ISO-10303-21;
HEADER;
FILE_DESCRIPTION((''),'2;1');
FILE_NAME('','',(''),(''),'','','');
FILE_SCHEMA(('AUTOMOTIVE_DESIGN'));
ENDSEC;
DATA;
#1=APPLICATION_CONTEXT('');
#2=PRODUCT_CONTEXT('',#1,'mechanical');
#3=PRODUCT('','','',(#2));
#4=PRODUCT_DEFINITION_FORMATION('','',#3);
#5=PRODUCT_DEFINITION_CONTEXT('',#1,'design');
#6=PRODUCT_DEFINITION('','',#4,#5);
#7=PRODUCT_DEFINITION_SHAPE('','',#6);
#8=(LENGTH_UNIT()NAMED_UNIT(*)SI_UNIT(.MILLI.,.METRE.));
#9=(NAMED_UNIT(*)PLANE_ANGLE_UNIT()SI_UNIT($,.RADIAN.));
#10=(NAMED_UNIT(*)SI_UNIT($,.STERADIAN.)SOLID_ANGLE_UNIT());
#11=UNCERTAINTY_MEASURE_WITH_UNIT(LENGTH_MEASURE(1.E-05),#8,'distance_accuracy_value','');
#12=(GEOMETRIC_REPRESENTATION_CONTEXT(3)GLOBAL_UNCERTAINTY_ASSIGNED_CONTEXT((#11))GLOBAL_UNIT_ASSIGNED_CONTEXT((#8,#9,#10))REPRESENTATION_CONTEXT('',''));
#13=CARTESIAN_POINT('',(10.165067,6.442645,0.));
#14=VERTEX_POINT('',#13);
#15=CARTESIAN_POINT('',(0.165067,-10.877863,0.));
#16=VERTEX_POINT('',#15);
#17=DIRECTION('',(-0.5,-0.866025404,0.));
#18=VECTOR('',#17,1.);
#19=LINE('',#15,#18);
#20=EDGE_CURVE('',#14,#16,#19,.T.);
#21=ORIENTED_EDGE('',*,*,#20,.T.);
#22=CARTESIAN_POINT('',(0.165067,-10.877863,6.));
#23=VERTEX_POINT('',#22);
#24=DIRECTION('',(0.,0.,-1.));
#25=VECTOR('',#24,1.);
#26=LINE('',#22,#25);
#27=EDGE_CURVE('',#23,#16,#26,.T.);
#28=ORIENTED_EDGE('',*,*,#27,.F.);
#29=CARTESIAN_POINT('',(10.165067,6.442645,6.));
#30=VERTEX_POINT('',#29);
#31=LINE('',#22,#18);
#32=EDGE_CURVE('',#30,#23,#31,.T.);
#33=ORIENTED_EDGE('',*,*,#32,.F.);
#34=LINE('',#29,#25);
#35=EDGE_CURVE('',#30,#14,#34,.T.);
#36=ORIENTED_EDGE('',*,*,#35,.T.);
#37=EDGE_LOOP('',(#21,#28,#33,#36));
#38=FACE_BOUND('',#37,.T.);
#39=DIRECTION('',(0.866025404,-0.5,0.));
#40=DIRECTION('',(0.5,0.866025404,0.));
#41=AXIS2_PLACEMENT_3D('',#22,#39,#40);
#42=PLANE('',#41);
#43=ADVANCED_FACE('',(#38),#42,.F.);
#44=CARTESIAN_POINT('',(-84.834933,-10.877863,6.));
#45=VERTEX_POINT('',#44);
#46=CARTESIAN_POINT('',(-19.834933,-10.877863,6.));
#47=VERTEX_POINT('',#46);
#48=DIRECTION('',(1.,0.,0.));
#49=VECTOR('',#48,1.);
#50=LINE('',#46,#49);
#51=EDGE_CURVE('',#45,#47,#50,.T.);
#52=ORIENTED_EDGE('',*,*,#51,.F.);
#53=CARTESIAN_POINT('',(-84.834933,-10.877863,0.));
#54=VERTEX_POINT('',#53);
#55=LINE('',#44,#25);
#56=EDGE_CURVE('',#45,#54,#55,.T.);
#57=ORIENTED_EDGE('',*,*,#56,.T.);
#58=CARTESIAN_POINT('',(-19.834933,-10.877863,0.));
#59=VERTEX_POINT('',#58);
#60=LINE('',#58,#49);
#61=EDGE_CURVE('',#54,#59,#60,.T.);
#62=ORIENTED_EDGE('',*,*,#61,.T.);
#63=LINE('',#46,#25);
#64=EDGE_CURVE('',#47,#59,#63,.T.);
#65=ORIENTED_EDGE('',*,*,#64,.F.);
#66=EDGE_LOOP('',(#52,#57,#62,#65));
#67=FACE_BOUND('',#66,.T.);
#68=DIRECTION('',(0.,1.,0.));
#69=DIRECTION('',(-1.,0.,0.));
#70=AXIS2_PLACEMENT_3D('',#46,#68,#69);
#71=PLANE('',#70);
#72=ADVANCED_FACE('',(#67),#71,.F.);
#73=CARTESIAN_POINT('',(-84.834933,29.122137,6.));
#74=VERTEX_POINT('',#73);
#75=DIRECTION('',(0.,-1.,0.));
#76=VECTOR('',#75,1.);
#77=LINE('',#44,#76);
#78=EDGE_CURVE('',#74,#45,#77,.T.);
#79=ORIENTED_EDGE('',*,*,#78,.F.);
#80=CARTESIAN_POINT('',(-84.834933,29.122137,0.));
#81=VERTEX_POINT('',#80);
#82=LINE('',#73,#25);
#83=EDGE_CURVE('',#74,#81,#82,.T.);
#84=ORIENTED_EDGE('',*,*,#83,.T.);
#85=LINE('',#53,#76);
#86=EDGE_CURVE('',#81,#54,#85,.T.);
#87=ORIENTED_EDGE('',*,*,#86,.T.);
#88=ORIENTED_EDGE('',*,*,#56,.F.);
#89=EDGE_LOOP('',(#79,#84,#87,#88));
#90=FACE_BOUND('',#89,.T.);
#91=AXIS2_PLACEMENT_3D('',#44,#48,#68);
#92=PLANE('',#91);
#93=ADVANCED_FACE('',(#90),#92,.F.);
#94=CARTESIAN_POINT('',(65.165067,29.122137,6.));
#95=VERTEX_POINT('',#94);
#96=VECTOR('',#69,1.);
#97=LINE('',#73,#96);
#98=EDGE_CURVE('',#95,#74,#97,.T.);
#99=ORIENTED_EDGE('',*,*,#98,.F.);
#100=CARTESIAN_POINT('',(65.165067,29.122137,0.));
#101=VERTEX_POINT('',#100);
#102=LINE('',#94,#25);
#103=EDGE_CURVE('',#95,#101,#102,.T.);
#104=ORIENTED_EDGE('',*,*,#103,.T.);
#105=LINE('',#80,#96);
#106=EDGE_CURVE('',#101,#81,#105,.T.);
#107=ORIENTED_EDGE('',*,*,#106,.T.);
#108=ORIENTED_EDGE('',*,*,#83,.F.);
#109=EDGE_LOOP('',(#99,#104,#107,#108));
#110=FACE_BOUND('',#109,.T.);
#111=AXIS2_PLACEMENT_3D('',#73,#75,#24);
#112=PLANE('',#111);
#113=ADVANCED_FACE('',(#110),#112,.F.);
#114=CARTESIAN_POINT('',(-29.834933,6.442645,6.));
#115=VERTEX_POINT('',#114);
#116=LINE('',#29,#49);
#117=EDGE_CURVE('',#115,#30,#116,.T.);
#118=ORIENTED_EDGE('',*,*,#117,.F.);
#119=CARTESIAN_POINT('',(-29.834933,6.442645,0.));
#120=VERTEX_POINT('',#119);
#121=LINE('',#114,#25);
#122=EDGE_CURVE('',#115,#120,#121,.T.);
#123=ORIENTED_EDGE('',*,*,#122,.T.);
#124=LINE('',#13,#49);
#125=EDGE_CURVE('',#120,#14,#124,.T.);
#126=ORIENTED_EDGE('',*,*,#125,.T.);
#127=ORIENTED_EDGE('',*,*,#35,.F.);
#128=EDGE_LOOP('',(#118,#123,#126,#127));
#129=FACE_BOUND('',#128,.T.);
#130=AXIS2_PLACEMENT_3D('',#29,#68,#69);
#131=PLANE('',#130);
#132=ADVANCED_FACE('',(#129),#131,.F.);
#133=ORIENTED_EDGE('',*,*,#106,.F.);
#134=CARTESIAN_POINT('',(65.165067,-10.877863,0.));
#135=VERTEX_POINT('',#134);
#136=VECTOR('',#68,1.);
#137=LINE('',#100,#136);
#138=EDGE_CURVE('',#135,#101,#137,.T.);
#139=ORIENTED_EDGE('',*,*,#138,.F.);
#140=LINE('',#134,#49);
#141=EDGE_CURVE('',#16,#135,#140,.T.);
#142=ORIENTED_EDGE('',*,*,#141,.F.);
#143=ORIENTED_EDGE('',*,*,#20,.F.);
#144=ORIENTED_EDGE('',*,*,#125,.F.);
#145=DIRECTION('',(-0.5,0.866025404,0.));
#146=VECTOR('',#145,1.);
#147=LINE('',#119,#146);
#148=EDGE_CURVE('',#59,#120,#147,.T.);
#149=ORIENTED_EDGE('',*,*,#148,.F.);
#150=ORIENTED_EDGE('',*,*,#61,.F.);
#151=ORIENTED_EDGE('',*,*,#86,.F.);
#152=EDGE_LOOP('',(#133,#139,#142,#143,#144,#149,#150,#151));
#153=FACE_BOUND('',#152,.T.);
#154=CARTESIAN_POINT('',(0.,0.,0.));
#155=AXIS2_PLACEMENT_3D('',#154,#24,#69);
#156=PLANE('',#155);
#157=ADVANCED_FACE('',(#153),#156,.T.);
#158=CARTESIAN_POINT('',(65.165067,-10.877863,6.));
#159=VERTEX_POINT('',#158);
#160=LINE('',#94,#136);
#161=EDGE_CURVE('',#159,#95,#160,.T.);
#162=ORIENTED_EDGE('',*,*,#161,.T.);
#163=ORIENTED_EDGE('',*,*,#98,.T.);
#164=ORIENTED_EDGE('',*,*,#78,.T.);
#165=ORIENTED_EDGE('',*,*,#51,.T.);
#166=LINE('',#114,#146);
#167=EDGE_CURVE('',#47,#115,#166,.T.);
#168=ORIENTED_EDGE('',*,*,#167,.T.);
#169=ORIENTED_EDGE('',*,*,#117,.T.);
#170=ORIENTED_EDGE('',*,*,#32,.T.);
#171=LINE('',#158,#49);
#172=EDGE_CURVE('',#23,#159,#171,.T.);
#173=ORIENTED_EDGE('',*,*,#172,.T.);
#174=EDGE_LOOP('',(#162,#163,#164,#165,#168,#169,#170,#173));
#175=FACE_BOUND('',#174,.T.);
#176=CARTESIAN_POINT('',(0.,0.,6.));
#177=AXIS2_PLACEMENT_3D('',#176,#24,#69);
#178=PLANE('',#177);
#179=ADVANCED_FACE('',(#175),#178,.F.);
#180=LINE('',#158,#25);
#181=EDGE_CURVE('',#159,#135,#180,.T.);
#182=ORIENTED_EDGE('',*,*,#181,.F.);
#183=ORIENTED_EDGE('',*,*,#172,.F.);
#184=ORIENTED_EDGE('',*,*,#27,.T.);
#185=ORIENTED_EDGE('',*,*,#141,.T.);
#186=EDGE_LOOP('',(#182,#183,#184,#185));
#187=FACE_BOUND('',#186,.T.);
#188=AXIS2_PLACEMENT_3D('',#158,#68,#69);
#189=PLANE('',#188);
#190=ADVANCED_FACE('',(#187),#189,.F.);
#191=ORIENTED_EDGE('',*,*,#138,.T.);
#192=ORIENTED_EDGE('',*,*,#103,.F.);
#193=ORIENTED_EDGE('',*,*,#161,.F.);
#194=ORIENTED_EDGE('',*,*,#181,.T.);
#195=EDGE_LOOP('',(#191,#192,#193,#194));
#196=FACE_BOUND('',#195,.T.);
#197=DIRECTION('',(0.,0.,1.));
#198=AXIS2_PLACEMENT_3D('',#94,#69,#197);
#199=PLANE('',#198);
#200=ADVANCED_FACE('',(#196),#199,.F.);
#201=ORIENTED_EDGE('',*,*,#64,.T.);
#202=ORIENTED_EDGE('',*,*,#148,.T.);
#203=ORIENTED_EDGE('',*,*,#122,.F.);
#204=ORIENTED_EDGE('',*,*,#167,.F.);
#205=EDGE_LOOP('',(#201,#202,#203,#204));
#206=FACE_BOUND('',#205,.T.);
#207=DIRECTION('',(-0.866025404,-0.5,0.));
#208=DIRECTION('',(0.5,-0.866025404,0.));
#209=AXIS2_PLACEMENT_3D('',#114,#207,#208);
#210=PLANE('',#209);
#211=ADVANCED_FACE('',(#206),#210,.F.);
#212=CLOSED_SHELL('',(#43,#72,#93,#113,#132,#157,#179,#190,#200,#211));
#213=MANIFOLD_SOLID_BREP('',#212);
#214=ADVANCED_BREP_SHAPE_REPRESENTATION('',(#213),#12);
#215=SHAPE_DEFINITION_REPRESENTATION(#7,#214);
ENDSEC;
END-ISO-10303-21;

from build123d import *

# Parameters (mm, degrees)
BOSS_EXTRU_1_DEPTH = 6


with BuildPart() as part:
    # Esquisse1 → Boss.-Extru.1 (new body)
    with BuildSketch(Plane.XY):
        Polygon((-84.834932582, 29.122137405), (65.165067418, 29.122137405), (65.165067418, -10.877862595), (0.165067418, -10.877862595), (10.165067418, 6.44264548), (-29.834932582, 6.44264548), (-19.834932582, -10.877862595), (-84.834932582, -10.877862595), align=None)
    extrude(amount=BOSS_EXTRU_1_DEPTH)


solid = part.part
